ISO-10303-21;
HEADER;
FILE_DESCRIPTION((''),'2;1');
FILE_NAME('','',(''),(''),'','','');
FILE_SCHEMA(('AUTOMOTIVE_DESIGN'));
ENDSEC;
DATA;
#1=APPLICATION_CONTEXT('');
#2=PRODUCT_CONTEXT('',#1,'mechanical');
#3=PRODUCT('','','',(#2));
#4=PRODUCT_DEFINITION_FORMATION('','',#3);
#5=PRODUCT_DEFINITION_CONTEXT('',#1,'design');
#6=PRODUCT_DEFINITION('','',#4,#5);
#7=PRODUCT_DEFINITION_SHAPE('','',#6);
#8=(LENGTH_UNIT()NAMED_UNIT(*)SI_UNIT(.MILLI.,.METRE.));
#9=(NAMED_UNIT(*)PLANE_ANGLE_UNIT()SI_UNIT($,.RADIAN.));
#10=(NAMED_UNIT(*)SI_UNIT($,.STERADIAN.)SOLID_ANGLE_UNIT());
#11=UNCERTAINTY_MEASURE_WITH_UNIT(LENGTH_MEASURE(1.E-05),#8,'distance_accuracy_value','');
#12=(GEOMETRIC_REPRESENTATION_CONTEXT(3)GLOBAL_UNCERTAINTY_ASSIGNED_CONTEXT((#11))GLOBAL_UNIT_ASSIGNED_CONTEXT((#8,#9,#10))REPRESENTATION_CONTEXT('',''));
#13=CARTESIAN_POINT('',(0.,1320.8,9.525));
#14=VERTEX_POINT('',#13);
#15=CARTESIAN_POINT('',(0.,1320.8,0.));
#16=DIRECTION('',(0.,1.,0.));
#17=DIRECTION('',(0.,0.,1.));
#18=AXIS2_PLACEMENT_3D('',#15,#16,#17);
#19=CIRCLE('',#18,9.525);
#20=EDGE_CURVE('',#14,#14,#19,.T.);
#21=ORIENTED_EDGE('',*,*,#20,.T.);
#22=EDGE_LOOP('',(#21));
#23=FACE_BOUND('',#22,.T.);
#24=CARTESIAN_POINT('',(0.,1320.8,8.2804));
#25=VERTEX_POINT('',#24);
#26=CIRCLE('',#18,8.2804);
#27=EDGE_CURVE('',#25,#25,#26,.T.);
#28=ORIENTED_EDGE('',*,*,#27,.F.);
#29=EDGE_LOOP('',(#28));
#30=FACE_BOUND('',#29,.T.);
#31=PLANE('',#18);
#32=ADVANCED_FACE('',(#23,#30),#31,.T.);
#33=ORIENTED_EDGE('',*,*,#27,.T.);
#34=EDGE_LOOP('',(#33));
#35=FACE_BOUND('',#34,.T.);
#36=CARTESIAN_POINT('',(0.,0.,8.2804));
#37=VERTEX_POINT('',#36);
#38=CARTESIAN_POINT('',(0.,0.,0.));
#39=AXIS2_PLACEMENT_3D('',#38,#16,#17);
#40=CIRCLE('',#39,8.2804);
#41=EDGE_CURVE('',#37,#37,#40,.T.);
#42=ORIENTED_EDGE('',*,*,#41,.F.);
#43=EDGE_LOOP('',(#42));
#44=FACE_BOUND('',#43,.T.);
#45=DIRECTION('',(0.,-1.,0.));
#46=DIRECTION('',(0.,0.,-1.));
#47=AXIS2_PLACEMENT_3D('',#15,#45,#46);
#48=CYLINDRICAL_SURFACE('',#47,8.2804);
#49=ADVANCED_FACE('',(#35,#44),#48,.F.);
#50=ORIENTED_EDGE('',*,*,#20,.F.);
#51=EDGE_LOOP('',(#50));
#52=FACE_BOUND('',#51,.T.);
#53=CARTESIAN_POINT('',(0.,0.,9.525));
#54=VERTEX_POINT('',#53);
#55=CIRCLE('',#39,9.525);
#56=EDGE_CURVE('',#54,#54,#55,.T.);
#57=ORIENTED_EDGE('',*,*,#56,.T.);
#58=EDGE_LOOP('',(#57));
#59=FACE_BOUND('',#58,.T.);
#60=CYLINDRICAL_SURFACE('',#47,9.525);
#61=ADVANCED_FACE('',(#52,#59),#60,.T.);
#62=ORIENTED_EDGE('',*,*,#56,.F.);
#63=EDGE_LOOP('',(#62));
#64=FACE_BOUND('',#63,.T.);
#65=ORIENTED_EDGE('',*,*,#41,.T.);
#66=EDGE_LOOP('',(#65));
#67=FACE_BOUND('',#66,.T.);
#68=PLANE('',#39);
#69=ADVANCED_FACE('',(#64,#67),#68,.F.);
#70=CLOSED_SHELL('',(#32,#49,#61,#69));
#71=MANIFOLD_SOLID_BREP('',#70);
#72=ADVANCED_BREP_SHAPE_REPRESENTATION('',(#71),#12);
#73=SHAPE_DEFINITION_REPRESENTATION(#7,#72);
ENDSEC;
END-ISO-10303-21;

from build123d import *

# Parameters (mm, degrees)
SKETCH1_R           = 9.525
SKETCH1_R_2         = 8.2804
BOSS_EXTRUDE1_DEPTH = 1320.8


with BuildPart() as part:
    # Sketch1 → Boss-Extrude1 (new body)
    with BuildSketch(Plane(origin=(0, 0, 0), x_dir=(1, 0, 0), z_dir=(0, 1, 0))):
        with Locations(Location((0, 0, 0), (0, 0, 270))):
            Circle(SKETCH1_R)
        with Locations(Location((0, 0, 0), (0, 0, 270))):
            Circle(SKETCH1_R_2, mode=Mode.SUBTRACT)
    extrude(amount=BOSS_EXTRUDE1_DEPTH)


solid = part.part
